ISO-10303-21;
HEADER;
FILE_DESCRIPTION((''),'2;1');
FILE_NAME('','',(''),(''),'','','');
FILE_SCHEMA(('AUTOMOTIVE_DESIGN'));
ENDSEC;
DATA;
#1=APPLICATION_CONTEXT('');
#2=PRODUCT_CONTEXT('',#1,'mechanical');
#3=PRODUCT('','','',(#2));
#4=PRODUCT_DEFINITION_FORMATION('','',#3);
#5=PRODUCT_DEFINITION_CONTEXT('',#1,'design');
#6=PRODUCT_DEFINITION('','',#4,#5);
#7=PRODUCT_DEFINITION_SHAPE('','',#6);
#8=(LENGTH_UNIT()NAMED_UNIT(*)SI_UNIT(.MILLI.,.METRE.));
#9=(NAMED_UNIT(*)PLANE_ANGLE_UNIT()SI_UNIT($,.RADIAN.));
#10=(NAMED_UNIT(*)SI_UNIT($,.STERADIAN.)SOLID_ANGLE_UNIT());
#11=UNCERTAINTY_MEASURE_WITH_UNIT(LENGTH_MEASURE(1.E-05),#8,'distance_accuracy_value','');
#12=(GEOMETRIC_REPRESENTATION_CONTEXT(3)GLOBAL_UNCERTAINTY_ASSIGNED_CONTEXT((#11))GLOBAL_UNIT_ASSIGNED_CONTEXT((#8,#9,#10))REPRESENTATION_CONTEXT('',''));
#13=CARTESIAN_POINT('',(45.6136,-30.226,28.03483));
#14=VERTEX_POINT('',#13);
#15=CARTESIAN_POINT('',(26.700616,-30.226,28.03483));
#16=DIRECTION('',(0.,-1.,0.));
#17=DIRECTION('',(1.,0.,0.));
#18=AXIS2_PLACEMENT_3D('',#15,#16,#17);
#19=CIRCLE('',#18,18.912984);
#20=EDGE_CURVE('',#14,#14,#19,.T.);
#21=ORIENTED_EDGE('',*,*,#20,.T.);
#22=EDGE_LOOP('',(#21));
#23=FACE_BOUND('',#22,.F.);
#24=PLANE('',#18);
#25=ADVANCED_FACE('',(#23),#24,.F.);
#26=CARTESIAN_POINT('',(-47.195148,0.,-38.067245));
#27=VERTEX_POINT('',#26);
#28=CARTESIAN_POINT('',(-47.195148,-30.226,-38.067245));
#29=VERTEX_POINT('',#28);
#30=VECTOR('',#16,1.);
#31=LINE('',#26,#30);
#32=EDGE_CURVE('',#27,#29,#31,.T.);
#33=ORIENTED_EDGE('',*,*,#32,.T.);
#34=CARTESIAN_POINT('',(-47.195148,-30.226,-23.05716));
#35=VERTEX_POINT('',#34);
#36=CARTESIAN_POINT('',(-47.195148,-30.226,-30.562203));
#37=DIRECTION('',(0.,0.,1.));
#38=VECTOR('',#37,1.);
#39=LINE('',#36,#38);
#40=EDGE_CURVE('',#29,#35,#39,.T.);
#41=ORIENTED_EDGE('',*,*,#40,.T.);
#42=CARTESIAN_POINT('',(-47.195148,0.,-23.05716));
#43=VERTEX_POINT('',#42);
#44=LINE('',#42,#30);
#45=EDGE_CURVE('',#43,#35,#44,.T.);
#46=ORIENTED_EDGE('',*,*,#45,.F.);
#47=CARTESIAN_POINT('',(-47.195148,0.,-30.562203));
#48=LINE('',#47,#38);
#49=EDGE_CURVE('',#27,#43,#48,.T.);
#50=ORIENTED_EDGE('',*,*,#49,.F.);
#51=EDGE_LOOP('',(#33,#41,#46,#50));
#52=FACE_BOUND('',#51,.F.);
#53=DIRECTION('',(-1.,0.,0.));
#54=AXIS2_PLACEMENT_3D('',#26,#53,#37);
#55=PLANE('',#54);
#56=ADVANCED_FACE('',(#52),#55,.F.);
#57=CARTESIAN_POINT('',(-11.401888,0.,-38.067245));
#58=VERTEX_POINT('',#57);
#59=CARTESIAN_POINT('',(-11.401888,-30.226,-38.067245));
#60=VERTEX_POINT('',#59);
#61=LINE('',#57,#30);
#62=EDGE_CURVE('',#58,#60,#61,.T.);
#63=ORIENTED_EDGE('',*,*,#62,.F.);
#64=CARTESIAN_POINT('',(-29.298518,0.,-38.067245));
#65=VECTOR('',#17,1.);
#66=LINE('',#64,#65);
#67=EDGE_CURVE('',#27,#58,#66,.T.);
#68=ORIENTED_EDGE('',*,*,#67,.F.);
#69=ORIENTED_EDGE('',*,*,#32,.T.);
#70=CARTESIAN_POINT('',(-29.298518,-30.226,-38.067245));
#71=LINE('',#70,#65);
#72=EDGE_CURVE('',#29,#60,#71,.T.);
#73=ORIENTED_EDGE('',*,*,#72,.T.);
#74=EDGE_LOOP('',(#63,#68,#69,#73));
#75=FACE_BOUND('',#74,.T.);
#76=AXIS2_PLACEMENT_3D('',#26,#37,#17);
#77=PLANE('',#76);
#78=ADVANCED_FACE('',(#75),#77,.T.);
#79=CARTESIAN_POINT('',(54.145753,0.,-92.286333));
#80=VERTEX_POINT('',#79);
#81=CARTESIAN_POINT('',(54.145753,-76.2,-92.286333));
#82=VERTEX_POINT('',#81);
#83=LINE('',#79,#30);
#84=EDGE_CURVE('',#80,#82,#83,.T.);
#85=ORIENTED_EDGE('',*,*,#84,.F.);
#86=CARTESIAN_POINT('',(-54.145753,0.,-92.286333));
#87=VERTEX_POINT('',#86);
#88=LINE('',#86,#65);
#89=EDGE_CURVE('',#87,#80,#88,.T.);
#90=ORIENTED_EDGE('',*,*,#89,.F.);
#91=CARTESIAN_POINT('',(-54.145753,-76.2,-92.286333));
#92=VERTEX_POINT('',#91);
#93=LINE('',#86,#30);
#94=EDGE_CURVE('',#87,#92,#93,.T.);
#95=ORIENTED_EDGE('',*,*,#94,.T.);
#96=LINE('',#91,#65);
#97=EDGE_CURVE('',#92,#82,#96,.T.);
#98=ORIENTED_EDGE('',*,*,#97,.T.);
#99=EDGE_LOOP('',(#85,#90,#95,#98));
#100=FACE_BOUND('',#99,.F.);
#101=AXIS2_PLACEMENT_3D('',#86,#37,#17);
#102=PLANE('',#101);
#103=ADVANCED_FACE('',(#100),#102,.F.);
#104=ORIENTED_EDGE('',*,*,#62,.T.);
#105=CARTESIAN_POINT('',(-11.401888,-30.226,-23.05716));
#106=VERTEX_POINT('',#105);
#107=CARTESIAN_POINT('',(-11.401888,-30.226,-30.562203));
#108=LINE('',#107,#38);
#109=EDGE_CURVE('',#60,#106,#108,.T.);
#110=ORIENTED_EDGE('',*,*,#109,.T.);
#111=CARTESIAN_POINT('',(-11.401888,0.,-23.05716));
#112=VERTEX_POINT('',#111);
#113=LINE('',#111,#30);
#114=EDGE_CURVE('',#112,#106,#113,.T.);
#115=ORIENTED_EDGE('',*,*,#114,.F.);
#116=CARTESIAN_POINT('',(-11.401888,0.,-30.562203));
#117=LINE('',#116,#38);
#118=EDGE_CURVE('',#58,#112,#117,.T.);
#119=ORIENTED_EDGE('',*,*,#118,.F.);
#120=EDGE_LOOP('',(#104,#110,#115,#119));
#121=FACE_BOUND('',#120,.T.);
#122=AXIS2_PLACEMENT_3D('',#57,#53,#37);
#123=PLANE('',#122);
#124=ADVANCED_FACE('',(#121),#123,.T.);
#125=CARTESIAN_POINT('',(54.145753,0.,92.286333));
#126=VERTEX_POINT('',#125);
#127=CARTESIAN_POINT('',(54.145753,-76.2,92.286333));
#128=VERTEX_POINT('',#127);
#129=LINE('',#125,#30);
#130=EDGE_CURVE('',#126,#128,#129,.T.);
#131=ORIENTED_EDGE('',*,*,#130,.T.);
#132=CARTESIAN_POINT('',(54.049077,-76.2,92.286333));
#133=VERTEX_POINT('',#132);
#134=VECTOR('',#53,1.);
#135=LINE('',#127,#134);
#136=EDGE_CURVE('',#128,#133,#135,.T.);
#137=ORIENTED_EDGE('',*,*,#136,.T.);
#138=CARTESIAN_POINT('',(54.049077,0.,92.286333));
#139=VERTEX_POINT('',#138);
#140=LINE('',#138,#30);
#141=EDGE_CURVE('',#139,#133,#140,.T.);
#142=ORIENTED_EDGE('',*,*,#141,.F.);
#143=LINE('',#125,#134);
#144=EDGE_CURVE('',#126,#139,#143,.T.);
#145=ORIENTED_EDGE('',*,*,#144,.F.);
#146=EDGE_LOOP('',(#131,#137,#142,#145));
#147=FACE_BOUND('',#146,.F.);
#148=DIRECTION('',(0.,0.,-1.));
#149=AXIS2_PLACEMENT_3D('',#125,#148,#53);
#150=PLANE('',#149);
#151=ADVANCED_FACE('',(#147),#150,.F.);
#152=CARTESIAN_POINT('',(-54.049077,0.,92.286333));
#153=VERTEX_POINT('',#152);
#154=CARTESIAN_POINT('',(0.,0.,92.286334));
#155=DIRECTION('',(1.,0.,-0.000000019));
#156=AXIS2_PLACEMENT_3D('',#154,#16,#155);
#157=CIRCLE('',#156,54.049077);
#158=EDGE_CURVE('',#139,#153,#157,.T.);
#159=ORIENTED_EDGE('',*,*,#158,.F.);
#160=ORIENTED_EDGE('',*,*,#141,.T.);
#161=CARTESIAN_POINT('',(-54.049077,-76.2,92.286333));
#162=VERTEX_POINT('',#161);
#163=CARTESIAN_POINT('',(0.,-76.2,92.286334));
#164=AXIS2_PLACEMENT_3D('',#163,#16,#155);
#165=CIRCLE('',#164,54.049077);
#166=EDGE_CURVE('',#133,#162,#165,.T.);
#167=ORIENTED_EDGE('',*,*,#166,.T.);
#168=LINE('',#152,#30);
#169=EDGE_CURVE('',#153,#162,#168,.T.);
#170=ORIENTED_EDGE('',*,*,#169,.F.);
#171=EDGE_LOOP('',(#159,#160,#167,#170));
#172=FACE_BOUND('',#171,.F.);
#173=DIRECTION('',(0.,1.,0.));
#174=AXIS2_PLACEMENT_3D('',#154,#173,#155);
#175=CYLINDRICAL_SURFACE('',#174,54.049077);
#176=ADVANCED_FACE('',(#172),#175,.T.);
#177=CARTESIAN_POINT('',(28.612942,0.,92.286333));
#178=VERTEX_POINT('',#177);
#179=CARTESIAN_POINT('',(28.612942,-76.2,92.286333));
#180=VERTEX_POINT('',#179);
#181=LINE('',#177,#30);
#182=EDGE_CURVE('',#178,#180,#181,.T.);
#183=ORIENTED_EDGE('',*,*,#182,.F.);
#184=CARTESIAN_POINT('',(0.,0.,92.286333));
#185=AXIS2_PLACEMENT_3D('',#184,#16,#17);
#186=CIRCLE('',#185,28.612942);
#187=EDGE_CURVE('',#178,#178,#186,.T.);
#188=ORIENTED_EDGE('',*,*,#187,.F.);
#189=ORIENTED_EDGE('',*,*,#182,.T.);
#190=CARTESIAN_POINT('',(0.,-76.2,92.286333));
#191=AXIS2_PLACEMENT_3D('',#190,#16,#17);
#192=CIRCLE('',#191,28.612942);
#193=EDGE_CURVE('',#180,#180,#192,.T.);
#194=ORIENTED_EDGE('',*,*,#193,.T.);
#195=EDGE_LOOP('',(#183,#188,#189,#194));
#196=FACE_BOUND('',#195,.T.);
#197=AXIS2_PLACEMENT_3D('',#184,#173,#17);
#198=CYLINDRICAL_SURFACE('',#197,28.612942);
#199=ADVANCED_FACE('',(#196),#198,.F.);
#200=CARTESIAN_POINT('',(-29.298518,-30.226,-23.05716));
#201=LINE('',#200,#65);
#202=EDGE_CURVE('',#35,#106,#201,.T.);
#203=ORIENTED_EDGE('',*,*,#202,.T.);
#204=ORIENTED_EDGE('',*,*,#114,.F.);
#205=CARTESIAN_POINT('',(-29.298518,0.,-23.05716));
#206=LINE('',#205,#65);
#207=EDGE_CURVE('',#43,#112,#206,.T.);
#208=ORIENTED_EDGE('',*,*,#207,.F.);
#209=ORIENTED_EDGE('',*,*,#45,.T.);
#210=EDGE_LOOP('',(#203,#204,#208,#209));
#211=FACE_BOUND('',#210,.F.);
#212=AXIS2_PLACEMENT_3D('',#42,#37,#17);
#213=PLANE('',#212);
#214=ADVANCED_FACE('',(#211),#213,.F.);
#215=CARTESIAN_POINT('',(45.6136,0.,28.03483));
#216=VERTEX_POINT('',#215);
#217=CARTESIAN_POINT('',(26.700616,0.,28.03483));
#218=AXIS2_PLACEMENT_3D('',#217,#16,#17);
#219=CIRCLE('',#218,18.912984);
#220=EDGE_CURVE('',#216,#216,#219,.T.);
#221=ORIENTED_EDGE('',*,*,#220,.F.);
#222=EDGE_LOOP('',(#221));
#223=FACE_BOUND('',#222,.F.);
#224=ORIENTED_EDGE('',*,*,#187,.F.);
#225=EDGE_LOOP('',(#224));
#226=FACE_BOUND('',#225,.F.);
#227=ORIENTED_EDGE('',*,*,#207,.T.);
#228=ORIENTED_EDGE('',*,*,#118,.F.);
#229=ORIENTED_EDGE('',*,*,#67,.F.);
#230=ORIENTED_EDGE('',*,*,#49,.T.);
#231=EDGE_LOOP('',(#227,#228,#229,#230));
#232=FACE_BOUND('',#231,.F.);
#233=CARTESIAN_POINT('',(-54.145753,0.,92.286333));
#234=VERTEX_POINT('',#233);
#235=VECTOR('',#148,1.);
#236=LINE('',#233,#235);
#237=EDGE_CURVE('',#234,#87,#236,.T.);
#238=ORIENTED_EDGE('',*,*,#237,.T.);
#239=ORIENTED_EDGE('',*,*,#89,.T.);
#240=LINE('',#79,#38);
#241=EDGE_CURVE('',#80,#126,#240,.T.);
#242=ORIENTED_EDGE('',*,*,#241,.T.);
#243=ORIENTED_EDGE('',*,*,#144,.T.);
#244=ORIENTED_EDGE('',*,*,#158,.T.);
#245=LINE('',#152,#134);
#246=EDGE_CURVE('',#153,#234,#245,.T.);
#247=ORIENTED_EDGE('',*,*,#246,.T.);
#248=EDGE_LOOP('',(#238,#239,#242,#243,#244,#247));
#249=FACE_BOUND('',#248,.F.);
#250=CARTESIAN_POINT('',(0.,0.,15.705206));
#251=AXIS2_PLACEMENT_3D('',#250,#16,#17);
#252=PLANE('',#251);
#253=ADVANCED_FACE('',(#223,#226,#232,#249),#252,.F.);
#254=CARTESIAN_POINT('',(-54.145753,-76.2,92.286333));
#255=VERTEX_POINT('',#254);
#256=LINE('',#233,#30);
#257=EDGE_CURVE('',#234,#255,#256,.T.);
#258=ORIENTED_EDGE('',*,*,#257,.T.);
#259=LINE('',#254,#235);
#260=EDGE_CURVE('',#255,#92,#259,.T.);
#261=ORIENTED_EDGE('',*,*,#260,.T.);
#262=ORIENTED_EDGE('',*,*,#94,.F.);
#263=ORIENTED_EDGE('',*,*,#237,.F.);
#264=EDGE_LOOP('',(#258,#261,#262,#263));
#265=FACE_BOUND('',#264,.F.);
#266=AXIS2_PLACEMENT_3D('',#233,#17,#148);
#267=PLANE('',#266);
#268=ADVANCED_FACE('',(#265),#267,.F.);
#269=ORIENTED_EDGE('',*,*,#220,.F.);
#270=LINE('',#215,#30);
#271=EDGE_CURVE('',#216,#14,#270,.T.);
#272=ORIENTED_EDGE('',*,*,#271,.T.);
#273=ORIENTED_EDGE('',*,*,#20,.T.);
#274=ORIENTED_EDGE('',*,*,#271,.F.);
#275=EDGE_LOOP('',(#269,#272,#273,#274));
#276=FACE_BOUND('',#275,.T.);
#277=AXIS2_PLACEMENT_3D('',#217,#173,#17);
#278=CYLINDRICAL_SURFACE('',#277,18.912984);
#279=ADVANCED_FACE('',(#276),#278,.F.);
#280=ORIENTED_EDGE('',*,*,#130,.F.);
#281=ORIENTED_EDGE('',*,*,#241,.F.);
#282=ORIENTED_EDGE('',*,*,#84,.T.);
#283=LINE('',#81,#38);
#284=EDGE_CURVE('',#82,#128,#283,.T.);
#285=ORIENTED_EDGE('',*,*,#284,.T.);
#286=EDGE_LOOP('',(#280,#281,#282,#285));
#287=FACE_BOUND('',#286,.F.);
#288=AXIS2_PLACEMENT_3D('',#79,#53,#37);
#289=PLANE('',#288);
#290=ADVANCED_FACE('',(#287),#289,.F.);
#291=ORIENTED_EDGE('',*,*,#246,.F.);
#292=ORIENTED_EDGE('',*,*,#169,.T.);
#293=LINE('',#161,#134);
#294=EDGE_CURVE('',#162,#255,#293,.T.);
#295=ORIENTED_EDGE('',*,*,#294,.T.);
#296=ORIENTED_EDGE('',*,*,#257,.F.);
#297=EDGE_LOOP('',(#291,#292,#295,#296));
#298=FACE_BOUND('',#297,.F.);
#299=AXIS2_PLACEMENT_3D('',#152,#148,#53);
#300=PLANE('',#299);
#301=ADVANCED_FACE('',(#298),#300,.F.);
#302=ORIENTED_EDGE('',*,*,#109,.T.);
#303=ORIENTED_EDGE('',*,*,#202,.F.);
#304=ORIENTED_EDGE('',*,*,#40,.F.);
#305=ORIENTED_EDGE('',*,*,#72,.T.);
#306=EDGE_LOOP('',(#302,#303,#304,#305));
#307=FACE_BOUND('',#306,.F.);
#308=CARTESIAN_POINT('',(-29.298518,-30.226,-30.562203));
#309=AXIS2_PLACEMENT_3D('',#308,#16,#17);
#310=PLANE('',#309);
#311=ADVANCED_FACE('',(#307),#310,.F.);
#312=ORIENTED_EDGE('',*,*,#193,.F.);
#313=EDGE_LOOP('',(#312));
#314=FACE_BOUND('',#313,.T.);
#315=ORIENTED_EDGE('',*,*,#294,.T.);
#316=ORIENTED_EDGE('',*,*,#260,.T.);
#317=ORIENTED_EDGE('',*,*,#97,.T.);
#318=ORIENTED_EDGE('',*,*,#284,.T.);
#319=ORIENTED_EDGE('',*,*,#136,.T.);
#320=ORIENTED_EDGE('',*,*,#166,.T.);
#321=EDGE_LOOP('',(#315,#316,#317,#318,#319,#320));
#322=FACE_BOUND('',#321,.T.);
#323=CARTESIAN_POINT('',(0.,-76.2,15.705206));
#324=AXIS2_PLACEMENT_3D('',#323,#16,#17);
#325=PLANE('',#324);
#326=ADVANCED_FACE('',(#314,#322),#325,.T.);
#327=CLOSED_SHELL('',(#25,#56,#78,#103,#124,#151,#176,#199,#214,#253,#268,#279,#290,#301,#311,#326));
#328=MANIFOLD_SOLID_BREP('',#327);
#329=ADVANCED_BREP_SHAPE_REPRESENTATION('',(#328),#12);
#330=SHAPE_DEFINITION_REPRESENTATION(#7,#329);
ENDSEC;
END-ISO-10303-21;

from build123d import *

# Parameters (mm, degrees)
F0_R     = 28.612942
F1_DEPTH = 76.2
F3_W     = 35.79326
F3_H     = 15.010085
F2_R     = 18.912984
F4_DEPTH = 30.226


with BuildPart() as f1:
    # F0 (on Front) → F1 (new body)
    with BuildSketch(Plane.XZ):
        with BuildLine():
            Line((-54.049077, 92.286333), (-54.145753, 92.286333))
            Line((-54.145753, 92.286333), (-54.145753, -92.286333))
            Line((-54.145753, -92.286333), (54.145753, -92.286333))
            Line((54.145753, -92.286333), (54.145753, 92.286333))
            Line((54.145753, 92.286333), (54.049077, 92.286333))
            ThreePointArc((54.049077, 92.286333), (0, 146.335411), (-54.049077, 92.286333))
        make_face()
        with Locations((0, 92.286333)):
            Circle(F0_R, mode=Mode.SUBTRACT)
    extrude(amount=F1_DEPTH)

    # F3 (on Front) + F2 (on Front) → F4 (cut)
    with BuildSketch(Plane.XZ):
        with Locations((-29.298518, -30.562203)):
            Rectangle(F3_W, F3_H)
    with BuildSketch(Plane.XZ):
        with Locations((26.700616, 28.03483)):
            Circle(F2_R)
    extrude(amount=F4_DEPTH, mode=Mode.SUBTRACT)


solid = f1.part
